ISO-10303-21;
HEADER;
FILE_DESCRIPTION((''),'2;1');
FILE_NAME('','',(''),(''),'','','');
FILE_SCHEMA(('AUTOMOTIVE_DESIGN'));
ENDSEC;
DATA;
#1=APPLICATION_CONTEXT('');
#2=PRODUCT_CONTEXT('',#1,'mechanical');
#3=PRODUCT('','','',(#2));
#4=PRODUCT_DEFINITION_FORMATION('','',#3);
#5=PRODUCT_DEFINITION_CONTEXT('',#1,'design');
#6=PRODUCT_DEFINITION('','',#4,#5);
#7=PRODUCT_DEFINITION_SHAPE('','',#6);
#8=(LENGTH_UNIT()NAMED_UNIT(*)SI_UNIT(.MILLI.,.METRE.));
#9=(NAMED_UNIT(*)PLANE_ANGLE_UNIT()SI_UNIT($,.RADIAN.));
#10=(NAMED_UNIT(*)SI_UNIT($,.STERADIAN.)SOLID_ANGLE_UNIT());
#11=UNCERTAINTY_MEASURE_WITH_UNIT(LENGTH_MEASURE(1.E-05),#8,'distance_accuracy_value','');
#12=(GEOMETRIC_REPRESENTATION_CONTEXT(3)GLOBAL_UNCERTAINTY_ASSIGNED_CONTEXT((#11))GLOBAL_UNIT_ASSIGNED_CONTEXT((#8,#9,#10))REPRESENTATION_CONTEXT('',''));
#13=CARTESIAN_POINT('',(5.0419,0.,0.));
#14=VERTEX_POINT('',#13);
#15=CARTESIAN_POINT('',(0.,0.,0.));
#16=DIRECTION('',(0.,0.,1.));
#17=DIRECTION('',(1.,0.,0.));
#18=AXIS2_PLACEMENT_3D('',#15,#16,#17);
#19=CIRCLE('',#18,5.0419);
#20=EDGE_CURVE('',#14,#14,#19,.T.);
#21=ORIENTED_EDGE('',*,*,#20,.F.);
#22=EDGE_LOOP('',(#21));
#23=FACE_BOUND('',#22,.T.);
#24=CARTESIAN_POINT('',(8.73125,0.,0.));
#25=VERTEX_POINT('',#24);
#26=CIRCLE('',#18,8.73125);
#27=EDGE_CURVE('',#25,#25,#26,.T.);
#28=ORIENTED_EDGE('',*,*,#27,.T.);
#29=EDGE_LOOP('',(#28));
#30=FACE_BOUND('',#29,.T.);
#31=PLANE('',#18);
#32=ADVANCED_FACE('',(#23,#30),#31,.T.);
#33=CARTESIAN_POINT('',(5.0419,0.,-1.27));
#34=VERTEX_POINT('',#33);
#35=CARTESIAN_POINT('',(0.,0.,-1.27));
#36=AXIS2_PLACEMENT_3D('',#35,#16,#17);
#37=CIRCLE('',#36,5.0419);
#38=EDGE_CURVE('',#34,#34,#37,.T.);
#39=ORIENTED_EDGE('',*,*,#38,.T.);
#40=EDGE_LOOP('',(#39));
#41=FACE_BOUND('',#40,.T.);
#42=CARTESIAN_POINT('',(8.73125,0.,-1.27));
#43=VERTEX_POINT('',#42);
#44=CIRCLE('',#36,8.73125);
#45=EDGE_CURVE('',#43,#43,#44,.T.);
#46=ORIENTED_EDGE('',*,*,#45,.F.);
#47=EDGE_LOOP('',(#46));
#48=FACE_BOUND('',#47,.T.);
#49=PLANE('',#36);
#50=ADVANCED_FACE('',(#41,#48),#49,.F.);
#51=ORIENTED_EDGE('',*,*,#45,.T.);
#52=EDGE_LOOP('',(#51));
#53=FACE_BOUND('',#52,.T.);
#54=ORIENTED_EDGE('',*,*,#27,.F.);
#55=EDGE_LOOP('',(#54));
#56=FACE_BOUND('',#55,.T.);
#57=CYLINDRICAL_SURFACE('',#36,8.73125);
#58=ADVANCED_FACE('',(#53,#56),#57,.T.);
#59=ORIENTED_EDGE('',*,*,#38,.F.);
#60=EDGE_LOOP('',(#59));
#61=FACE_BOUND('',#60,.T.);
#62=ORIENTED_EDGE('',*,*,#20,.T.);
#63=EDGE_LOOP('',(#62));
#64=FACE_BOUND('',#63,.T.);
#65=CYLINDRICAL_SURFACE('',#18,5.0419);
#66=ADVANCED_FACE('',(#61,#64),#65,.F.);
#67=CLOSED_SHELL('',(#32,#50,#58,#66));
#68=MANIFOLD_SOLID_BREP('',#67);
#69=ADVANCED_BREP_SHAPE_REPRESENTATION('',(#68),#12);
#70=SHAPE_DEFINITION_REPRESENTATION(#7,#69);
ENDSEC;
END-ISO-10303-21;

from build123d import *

# Parameters (mm, degrees)
SKETCH1_R                    = 8.73125
SKETCH1_R_2                  = 4.365625
EXTRUDE1_DEPTH               = 1.27
X_0_397_DIAMETER_HOLE1_D     = 10.0838
X_0_397_DIAMETER_HOLE1_DEPTH = 12.7
X_0_397_DIAMETER_HOLE1_TIP   = 3.029479155


with BuildPart() as part:
    # Sketch1 → Extrude1 (new body)
    with BuildSketch(Plane.XY):
        Circle(SKETCH1_R)
        Circle(SKETCH1_R_2, mode=Mode.SUBTRACT)
    extrude(amount=-EXTRUDE1_DEPTH)

    # X (0.397) Diameter Hole1
    with Locations(Plane.XY):
        with Locations((0, 0)):
            Hole(X_0_397_DIAMETER_HOLE1_D / 2, depth=X_0_397_DIAMETER_HOLE1_DEPTH)
            with Locations((0, 0, -(X_0_397_DIAMETER_HOLE1_DEPTH + X_0_397_DIAMETER_HOLE1_TIP / 2))):  # 118° drill point
                Cone(0, X_0_397_DIAMETER_HOLE1_D / 2, X_0_397_DIAMETER_HOLE1_TIP, mode=Mode.SUBTRACT)


solid = part.part
